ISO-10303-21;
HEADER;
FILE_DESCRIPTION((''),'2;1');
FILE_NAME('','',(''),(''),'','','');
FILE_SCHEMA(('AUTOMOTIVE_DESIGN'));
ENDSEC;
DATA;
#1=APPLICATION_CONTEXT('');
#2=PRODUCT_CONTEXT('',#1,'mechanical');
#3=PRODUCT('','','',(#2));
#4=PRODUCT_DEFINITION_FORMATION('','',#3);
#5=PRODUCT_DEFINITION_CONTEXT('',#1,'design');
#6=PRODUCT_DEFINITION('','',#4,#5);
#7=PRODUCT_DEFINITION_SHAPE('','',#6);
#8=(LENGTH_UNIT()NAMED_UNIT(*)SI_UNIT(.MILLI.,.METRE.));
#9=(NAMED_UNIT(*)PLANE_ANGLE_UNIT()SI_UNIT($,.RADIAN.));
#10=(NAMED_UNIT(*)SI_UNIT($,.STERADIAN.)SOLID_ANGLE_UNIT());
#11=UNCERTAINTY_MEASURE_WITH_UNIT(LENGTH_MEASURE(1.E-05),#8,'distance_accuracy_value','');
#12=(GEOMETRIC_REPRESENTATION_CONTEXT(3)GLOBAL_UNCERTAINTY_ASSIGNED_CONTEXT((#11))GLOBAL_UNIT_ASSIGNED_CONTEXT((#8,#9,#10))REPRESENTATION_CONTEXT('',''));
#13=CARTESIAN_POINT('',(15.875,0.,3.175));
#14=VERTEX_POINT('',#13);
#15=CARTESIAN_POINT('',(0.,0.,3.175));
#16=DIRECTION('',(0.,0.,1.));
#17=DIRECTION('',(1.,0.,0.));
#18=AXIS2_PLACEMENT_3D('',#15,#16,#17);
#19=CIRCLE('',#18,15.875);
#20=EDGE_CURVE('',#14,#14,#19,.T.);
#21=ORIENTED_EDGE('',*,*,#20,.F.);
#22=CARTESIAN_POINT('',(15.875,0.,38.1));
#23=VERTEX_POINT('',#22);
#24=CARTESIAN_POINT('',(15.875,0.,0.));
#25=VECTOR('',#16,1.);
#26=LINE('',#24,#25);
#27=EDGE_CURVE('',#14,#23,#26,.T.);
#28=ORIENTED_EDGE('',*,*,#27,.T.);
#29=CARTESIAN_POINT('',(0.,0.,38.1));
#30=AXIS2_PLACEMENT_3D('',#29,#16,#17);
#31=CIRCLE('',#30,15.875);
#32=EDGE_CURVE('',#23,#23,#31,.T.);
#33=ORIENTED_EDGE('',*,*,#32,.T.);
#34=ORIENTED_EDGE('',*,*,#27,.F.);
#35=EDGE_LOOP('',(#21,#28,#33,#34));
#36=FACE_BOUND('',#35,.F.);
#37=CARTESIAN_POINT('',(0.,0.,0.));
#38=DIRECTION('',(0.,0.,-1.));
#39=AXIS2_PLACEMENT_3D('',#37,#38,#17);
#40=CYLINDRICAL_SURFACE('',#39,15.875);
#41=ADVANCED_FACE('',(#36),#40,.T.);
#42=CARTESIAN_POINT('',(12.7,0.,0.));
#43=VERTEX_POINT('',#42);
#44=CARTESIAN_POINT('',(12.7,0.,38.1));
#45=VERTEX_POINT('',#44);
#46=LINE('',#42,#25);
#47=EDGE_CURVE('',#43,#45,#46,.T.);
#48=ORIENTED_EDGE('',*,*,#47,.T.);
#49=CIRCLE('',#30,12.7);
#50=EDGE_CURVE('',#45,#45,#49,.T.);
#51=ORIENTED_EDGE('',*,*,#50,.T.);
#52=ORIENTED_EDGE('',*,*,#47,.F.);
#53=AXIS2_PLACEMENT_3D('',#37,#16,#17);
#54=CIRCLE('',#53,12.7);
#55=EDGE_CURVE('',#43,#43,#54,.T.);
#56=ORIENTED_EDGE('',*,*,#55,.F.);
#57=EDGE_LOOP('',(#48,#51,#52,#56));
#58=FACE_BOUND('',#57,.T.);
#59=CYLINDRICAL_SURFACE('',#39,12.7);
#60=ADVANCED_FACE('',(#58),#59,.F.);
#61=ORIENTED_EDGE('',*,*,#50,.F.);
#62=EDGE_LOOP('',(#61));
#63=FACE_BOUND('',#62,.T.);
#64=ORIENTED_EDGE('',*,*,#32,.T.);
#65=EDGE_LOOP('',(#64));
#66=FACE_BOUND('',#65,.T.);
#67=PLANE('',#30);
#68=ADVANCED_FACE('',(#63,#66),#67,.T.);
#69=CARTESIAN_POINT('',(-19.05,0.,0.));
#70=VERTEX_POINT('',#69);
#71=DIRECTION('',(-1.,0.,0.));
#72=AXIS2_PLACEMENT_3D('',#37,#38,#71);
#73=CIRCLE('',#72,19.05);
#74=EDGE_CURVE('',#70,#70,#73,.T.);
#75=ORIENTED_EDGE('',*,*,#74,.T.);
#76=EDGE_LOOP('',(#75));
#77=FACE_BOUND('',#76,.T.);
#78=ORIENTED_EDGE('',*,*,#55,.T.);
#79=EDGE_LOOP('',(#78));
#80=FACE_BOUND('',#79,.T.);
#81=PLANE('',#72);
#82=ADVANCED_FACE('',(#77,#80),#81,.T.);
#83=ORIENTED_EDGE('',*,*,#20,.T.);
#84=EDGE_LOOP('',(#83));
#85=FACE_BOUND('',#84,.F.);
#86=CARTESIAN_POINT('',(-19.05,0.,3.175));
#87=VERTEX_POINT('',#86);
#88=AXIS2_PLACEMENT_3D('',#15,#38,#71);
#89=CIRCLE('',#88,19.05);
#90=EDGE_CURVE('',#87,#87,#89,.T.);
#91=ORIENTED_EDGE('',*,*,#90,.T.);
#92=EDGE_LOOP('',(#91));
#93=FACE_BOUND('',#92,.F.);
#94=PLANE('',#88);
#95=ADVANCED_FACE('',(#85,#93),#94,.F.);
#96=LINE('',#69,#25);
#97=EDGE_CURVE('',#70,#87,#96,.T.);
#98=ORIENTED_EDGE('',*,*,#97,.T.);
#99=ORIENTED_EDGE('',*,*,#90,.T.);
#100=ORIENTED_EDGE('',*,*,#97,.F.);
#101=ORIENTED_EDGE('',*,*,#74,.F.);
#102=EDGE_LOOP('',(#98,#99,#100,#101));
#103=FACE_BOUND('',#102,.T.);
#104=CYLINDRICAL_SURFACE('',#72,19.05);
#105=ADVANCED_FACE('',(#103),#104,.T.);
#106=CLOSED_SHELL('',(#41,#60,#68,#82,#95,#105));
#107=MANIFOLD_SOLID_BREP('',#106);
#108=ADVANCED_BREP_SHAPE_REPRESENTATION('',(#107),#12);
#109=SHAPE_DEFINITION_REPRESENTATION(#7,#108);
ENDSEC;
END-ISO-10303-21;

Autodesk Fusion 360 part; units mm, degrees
sketch "Sketch1" plane through (0, 0, 0) normal (0, 0, 1) x (1, 0, 0)
  circle A0 centre (0, 0) radius 12.7
  circle A1 centre (0, 0) radius 15.875
  dimension "d1" = 25.4
  dimension "d2" = 31.75
extrude "Extrude1" add sketch "Sketch1" along normal blind 38.1
sketch "Sketch2" plane through (0, 0, 0) normal (0, 0, -1) x (-1, 0, 0)
  circle A0 centre (0, 0) radius 15.875
  circle A1 centre (0, 0) radius 19.05
  circle A2 centre (0, 0) radius 12.7
  dimension "d5" = 38.1
extrude "Extrude2" add sketch "Sketch2" against normal blind 3.175 contours A1
equation "d1 = Shaft_ID"
equation "d2 = Housing_ID"
equation "d3 = Length"
equation "d5 = Flange_OD"
equation "d6 = FlangeT"
equation "Shaft_ID = 1 in"
equation "Housing_ID = 1 1/4\""
equation "FlangeT = ( -1 / 8 ) * 1 in"
equation "Length = 1 1/2\""
equation "Flange_OD = 1 1/2\""
